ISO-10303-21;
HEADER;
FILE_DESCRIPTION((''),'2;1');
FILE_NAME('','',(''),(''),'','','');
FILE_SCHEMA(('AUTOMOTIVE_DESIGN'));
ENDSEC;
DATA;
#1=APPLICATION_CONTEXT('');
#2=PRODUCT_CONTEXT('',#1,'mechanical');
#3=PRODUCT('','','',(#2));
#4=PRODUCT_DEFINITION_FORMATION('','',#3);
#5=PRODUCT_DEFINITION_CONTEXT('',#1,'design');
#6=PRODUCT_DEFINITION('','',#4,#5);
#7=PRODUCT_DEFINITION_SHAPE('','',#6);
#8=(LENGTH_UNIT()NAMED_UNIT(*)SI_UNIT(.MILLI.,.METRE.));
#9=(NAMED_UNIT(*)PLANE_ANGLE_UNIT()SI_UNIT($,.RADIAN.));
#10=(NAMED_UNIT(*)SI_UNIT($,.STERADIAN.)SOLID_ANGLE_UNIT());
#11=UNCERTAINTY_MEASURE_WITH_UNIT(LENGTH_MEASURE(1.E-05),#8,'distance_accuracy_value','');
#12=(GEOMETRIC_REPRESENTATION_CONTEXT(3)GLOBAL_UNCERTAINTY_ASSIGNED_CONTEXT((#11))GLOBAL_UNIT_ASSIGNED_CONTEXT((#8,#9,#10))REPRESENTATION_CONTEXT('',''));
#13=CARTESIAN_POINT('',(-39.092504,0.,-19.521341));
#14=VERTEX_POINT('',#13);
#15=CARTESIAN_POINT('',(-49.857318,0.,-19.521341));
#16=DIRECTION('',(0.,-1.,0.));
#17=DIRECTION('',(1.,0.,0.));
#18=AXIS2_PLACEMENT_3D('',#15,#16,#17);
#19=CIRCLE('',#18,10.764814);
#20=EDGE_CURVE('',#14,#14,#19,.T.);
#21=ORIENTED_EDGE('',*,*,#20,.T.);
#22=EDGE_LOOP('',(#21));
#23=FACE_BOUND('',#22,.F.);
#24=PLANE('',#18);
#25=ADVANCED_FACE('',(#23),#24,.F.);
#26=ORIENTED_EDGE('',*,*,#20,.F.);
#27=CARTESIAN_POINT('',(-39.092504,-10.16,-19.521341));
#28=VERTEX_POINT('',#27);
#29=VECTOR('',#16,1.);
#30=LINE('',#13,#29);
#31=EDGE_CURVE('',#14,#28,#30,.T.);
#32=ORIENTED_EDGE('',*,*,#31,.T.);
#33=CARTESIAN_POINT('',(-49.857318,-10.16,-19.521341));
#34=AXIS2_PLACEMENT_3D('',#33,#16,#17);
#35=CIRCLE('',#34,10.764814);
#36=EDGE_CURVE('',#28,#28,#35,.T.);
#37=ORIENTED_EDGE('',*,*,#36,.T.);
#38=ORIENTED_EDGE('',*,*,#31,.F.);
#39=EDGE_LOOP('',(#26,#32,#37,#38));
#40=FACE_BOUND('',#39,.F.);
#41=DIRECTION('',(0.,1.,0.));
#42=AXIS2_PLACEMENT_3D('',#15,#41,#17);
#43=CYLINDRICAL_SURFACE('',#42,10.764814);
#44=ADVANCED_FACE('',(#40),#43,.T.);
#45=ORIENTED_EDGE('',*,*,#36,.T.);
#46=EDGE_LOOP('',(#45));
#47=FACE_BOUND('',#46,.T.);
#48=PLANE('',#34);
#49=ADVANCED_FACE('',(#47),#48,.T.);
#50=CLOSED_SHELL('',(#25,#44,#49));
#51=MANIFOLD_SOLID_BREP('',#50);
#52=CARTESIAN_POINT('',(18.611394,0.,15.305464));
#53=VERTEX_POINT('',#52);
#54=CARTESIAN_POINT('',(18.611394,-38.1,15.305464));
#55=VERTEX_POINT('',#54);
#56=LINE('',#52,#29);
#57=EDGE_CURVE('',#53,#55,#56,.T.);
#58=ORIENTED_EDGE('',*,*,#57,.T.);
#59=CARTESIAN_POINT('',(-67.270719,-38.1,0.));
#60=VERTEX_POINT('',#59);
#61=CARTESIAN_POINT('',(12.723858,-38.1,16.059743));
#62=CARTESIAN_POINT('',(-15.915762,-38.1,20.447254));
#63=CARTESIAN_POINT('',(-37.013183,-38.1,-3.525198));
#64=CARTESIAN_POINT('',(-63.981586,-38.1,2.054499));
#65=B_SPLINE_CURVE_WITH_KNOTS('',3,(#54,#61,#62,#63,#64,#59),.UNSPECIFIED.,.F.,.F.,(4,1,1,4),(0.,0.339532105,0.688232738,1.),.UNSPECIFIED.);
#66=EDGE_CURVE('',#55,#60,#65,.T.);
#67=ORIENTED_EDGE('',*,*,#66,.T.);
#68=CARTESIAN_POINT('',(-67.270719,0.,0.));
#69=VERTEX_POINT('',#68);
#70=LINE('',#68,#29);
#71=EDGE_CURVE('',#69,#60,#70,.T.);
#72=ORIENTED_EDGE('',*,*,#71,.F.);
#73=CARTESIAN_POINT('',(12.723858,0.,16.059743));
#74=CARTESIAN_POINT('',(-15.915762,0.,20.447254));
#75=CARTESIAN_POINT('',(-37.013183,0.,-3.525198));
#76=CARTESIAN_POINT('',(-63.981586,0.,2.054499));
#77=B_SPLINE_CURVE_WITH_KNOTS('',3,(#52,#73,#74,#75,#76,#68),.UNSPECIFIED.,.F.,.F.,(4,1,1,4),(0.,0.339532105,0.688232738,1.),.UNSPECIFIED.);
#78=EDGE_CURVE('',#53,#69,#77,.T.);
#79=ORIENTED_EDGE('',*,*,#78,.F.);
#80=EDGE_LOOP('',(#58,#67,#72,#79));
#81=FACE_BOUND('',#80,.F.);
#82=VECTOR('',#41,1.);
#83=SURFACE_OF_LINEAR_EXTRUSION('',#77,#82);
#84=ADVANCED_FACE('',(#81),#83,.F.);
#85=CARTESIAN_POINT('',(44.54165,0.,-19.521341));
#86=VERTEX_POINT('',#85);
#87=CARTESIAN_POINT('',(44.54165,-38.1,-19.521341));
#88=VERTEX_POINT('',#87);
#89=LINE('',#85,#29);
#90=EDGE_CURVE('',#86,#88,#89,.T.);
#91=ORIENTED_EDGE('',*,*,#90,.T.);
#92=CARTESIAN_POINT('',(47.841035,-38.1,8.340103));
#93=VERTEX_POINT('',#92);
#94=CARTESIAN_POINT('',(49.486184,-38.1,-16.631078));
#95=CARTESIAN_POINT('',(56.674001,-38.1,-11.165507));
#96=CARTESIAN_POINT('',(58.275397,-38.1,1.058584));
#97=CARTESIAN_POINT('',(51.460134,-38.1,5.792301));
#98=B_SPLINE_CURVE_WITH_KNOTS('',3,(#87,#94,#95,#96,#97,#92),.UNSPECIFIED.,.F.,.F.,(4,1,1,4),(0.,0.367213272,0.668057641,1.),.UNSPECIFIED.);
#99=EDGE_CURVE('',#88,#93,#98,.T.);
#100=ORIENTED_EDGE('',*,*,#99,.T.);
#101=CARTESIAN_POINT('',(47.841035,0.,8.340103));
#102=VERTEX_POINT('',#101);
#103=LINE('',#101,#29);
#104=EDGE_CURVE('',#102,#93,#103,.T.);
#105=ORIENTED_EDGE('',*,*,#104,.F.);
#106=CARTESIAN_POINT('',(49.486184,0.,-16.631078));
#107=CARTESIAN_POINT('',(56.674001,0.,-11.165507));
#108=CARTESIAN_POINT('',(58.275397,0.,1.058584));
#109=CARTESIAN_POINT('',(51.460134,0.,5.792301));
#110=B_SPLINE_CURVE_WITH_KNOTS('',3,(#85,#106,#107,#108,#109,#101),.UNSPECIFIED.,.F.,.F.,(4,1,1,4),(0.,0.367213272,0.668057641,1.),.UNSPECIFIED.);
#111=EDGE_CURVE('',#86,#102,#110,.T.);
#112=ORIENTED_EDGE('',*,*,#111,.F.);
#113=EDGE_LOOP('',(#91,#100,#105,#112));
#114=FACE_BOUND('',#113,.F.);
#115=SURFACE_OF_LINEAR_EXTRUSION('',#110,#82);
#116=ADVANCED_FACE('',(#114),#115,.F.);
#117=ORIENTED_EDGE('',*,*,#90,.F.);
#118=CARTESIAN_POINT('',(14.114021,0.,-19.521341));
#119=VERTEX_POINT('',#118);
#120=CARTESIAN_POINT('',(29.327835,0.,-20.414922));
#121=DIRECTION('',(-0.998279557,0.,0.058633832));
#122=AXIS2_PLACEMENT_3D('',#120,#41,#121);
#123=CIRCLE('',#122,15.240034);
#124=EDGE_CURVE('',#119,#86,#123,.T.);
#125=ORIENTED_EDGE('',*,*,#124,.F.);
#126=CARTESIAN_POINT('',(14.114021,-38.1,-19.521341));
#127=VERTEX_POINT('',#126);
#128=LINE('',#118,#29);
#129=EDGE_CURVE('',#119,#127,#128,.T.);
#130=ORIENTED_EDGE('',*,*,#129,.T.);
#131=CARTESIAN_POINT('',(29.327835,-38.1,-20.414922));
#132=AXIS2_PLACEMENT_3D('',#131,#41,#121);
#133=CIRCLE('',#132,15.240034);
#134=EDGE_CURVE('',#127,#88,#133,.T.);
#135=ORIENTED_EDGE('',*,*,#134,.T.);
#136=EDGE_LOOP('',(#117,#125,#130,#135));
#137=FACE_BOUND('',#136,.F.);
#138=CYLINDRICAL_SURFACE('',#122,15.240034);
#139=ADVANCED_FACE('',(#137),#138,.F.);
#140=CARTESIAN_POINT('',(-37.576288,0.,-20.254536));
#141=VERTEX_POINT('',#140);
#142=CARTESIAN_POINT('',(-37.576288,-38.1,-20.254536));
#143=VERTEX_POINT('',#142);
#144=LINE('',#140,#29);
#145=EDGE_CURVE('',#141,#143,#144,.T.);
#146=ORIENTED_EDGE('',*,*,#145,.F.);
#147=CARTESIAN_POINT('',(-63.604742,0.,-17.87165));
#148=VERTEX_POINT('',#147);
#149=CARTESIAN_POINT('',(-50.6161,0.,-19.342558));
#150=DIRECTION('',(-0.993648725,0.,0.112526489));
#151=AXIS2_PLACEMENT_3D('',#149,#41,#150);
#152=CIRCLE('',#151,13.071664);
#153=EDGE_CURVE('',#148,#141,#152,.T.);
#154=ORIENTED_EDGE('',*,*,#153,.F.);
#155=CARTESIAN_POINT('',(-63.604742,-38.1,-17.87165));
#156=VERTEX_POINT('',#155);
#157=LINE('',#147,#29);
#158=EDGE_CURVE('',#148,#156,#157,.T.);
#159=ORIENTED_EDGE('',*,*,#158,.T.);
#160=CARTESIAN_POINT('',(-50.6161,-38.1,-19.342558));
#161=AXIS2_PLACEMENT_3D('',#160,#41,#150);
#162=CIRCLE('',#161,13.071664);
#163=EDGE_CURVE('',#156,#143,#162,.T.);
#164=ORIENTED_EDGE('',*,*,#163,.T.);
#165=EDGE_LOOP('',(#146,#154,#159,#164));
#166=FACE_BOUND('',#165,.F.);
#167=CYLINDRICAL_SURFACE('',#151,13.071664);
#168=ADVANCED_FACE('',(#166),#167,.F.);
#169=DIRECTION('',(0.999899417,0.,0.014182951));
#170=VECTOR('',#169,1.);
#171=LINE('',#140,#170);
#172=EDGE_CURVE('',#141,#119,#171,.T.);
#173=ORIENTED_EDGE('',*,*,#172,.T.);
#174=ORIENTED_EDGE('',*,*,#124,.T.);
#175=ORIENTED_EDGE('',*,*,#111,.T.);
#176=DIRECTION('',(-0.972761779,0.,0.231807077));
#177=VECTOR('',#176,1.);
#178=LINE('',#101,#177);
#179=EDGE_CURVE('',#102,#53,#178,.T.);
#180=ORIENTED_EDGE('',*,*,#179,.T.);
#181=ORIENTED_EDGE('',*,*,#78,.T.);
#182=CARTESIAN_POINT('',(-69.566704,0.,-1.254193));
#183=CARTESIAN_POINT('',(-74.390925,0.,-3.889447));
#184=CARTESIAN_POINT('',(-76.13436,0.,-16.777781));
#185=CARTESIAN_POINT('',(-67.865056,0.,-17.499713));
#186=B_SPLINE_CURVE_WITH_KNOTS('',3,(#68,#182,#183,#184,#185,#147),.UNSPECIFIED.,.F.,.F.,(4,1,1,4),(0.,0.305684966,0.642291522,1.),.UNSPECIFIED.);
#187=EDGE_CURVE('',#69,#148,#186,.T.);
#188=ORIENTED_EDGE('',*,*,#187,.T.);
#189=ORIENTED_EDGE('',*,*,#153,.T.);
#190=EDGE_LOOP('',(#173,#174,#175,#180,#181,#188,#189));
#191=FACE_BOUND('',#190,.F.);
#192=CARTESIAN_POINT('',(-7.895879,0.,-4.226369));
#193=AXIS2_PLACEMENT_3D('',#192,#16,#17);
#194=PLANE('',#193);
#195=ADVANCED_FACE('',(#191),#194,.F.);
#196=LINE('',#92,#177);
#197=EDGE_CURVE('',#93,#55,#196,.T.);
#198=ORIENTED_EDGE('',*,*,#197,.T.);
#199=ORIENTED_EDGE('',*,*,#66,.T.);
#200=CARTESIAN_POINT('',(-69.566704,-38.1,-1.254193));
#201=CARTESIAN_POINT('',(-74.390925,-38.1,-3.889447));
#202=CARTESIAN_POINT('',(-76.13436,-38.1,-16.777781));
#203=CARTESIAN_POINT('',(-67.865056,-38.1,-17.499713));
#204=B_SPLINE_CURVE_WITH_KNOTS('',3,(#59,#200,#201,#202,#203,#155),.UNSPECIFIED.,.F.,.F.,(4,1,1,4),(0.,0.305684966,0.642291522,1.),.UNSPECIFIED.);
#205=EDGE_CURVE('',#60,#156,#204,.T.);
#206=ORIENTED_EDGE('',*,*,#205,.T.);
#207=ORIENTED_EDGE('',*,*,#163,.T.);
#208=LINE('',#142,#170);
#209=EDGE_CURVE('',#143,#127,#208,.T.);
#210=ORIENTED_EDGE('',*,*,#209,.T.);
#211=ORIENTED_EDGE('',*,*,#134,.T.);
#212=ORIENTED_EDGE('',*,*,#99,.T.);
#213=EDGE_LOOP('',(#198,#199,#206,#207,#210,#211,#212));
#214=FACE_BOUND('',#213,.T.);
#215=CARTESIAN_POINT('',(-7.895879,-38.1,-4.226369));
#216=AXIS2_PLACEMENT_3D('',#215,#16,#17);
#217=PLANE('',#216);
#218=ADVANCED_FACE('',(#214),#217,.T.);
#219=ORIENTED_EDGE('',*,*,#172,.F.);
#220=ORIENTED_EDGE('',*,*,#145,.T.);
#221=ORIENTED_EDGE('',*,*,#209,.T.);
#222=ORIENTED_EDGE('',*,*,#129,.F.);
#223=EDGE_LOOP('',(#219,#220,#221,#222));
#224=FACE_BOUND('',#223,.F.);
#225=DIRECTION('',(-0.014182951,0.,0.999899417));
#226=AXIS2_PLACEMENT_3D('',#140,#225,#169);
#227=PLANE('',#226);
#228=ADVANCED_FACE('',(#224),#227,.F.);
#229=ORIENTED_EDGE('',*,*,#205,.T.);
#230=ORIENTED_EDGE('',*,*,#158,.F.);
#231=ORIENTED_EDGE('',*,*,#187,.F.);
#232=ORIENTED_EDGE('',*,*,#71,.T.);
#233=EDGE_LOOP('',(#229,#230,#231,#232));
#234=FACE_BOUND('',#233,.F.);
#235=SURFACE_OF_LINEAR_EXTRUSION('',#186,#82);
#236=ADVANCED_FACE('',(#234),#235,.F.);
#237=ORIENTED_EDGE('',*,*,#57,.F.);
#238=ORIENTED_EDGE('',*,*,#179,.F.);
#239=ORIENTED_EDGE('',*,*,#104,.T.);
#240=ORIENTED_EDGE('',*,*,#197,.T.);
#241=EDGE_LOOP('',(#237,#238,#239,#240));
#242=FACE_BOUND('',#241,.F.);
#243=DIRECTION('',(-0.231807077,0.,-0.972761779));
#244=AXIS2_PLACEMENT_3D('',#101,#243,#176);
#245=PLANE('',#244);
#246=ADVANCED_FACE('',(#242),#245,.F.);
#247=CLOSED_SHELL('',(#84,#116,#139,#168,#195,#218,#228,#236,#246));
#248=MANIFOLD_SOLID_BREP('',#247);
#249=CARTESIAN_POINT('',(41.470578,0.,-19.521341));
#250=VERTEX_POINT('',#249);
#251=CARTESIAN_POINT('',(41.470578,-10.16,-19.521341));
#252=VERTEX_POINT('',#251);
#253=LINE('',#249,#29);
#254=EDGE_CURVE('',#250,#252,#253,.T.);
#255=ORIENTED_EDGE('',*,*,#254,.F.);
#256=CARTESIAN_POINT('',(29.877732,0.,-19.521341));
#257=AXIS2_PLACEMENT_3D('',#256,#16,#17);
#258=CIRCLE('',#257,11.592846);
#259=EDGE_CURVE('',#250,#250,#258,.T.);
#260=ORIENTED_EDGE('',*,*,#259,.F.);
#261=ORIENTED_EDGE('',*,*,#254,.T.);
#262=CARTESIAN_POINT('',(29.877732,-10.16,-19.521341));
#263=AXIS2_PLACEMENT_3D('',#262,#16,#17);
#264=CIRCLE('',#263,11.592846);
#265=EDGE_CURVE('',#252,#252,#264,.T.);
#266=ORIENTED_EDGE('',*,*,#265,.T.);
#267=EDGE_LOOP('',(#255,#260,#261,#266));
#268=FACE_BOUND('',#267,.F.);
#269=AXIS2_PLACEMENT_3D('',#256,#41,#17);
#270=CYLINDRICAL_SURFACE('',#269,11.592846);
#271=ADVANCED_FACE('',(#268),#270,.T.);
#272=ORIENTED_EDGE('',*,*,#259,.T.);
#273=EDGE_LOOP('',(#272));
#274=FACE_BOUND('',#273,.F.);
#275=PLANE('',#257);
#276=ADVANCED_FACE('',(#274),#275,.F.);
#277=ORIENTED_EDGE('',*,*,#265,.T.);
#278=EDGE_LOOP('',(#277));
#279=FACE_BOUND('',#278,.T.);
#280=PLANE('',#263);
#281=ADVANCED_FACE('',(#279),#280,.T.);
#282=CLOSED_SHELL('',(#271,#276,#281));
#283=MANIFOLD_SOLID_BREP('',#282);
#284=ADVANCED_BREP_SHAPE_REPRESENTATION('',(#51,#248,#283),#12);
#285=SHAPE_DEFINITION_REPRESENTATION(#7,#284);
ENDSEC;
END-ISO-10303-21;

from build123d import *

# Parameters (mm, degrees)
F0_R     = 10.7648143955
F1_DEPTH = 10.16
F0_R_2   = 11.5928463858
F3_DEPTH = 38.1


with BuildPart() as f1:
    # F0 (on Front) → F1 (new body)
    with BuildSketch(Plane.XZ):
        with Locations((-49.8573184013, -19.5213407278)):
            Circle(F0_R)
    extrude(amount=F1_DEPTH)


with BuildPart() as f1b:
    # F0 (on Front) → F1, piece 2 (new body)
    with BuildSketch(Plane.XZ):
        with Locations((29.8777315766, -19.5213407278)):
            Circle(F0_R_2)
    extrude(amount=F1_DEPTH)


with BuildPart() as f3:
    # F2 (on Front) → F3 (new body)
    with BuildSketch(Plane.XZ):
        with BuildLine():
            ThreePointArc((14.1140213236, -19.5213407278), (29.327835422, -5.1748885976), (44.5416495204, -19.5213407278))
            add(Edge.make_bspline(
                [(44.5416495204, -19.5213407278), (49.4861837134, -16.6310779415), (56.6740007358, -11.1655072143), (58.2753974305, 1.0585842235), (51.4601339264, 5.792301038), (47.8410348296, 8.3401026204)],
                knots=[0, 0, 0, 0, 0.3672132723, 0.6680576414, 1, 1, 1, 1], degree=3))
            Line((47.8410348296, 8.3401026204), (18.6113944658, 15.305464156))
            add(Edge.make_bspline(
                [(18.6113944658, 15.305464156), (12.7238584134, 16.0597433895), (-15.9157623646, 20.4472537814), (-37.0131828329, -3.5251980606), (-63.981585704, 2.0544994679), (-67.2707185149, 0)],
                knots=[0, 0, 0, 0, 0.339532105, 0.6882327384, 1, 1, 1, 1], degree=3))
            add(Edge.make_bspline(
                [(-67.2707185149, 0), (-69.5667038523, -1.2541929166), (-74.3909251258, -3.8894467448), (-76.1343603524, -16.7777810793), (-67.8650563977, -17.4997132256), (-63.6047422886, -17.8716499358)],
                knots=[0, 0, 0, 0, 0.3056849659, 0.6422915215, 1, 1, 1, 1], degree=3))
            ThreePointArc((-63.6047422886, -17.8716499358), (-49.4243825032, -6.325330981), (-37.5762879848, -20.2545356005))
            Line((-37.5762879848, -20.2545356005), (14.1140213236, -19.5213407278))
        make_face()
    extrude(amount=F3_DEPTH)


solid = Compound([f1.part, f1b.part, f3.part])
